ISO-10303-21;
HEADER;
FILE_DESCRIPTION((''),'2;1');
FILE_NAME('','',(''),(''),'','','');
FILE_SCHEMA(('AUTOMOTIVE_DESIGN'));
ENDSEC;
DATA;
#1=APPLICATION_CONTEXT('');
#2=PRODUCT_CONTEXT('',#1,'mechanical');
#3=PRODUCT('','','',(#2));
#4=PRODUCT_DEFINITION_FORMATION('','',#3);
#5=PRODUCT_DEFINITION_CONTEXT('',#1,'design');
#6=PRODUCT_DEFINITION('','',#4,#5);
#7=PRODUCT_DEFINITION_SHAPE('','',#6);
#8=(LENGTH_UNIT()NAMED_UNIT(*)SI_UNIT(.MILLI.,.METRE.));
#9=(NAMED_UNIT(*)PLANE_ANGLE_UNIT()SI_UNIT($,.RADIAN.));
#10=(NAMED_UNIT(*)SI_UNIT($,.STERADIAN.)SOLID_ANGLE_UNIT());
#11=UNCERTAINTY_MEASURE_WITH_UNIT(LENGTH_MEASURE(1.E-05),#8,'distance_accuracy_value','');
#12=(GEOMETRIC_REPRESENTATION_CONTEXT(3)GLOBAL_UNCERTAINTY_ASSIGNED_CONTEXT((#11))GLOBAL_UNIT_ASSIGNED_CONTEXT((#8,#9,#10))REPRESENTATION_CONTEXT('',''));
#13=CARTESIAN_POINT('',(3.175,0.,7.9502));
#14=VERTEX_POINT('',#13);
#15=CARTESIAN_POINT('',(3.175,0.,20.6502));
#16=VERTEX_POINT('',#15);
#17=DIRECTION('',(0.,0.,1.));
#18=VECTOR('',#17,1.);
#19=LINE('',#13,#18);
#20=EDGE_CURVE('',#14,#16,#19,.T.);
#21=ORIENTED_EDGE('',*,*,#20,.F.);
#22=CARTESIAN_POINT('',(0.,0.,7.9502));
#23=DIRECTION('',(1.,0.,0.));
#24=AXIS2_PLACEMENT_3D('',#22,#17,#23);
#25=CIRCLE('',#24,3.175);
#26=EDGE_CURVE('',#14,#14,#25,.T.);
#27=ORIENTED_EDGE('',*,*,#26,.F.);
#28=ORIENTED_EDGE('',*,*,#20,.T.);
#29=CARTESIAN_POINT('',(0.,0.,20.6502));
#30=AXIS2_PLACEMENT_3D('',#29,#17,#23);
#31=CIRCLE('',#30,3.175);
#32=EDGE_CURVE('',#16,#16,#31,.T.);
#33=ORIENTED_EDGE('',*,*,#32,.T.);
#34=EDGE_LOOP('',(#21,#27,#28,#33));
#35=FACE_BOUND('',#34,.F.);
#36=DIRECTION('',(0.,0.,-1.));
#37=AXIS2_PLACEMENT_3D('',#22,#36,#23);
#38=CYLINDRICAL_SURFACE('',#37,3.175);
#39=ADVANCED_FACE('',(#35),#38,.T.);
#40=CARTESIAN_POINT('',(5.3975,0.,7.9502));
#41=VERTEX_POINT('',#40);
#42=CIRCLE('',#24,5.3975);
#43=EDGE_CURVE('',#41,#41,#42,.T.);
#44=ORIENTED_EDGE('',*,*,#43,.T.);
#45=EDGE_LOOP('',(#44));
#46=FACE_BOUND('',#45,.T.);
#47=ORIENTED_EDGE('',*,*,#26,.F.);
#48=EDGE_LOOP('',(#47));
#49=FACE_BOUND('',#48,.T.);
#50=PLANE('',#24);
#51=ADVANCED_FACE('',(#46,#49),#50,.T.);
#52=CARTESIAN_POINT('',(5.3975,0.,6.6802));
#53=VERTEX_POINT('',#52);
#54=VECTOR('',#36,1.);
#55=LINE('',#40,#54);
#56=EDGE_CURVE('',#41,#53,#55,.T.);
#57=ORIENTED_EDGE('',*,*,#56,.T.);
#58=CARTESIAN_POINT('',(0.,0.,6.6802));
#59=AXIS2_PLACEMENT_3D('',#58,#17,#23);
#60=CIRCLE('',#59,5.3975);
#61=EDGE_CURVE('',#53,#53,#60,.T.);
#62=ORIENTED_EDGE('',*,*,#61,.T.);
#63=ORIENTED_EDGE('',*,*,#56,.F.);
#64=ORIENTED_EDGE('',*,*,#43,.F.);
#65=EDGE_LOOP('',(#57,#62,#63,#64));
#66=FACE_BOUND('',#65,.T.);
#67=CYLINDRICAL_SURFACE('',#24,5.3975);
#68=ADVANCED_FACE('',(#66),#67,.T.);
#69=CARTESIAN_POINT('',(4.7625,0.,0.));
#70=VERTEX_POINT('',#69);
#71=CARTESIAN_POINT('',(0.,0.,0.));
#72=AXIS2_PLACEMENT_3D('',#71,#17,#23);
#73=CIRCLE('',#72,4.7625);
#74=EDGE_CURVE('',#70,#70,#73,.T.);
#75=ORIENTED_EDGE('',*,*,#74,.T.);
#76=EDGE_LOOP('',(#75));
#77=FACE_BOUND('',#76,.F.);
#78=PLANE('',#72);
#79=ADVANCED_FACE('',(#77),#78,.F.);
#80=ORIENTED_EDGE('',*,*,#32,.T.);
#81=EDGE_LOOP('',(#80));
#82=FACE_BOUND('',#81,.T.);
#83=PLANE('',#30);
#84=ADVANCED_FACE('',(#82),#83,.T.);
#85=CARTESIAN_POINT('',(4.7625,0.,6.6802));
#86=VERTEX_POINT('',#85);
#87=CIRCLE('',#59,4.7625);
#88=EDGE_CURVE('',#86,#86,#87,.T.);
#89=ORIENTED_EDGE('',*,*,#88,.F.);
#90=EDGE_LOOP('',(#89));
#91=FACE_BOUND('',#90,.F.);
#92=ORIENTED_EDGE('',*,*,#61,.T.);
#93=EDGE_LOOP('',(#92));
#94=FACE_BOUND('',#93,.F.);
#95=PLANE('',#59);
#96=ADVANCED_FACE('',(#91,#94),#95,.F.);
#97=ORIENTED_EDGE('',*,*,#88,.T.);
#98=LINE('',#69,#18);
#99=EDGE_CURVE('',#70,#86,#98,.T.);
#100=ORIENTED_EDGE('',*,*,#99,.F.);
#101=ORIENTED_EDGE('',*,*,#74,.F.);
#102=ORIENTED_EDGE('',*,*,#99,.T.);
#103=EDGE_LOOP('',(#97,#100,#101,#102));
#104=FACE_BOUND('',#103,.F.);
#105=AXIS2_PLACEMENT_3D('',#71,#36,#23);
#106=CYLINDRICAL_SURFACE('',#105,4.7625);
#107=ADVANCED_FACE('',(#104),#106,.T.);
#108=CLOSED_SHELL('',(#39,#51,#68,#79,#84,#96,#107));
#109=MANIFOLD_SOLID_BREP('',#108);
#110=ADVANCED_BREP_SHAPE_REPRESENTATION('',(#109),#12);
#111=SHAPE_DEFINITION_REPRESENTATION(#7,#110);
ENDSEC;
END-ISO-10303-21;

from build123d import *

# Parameters (mm, degrees)
F0_R     = 4.7625
F1_DEPTH = 7.9502
F2_R     = 5.3975
F2_R_2   = 4.7625
F3_DEPTH = 1.27
F4_R     = 3.175
F5_DEPTH = 12.7


with BuildPart() as f1:
    # F0 (on Top) → F1 (new body)
    with BuildSketch(Plane.XY):
        Circle(F0_R)
    extrude(amount=F1_DEPTH)

    # F2 (on face) → F3 (join)
    with BuildSketch(Plane.XY.offset(7.9502)):
        Circle(F2_R)
        Circle(F2_R_2, mode=Mode.SUBTRACT)
    extrude(amount=-F3_DEPTH)

    # F4 (on face) → F5 (join)
    with BuildSketch(Plane.XY.offset(7.9502)):
        Circle(F4_R)
    extrude(amount=F5_DEPTH)


solid = f1.part
